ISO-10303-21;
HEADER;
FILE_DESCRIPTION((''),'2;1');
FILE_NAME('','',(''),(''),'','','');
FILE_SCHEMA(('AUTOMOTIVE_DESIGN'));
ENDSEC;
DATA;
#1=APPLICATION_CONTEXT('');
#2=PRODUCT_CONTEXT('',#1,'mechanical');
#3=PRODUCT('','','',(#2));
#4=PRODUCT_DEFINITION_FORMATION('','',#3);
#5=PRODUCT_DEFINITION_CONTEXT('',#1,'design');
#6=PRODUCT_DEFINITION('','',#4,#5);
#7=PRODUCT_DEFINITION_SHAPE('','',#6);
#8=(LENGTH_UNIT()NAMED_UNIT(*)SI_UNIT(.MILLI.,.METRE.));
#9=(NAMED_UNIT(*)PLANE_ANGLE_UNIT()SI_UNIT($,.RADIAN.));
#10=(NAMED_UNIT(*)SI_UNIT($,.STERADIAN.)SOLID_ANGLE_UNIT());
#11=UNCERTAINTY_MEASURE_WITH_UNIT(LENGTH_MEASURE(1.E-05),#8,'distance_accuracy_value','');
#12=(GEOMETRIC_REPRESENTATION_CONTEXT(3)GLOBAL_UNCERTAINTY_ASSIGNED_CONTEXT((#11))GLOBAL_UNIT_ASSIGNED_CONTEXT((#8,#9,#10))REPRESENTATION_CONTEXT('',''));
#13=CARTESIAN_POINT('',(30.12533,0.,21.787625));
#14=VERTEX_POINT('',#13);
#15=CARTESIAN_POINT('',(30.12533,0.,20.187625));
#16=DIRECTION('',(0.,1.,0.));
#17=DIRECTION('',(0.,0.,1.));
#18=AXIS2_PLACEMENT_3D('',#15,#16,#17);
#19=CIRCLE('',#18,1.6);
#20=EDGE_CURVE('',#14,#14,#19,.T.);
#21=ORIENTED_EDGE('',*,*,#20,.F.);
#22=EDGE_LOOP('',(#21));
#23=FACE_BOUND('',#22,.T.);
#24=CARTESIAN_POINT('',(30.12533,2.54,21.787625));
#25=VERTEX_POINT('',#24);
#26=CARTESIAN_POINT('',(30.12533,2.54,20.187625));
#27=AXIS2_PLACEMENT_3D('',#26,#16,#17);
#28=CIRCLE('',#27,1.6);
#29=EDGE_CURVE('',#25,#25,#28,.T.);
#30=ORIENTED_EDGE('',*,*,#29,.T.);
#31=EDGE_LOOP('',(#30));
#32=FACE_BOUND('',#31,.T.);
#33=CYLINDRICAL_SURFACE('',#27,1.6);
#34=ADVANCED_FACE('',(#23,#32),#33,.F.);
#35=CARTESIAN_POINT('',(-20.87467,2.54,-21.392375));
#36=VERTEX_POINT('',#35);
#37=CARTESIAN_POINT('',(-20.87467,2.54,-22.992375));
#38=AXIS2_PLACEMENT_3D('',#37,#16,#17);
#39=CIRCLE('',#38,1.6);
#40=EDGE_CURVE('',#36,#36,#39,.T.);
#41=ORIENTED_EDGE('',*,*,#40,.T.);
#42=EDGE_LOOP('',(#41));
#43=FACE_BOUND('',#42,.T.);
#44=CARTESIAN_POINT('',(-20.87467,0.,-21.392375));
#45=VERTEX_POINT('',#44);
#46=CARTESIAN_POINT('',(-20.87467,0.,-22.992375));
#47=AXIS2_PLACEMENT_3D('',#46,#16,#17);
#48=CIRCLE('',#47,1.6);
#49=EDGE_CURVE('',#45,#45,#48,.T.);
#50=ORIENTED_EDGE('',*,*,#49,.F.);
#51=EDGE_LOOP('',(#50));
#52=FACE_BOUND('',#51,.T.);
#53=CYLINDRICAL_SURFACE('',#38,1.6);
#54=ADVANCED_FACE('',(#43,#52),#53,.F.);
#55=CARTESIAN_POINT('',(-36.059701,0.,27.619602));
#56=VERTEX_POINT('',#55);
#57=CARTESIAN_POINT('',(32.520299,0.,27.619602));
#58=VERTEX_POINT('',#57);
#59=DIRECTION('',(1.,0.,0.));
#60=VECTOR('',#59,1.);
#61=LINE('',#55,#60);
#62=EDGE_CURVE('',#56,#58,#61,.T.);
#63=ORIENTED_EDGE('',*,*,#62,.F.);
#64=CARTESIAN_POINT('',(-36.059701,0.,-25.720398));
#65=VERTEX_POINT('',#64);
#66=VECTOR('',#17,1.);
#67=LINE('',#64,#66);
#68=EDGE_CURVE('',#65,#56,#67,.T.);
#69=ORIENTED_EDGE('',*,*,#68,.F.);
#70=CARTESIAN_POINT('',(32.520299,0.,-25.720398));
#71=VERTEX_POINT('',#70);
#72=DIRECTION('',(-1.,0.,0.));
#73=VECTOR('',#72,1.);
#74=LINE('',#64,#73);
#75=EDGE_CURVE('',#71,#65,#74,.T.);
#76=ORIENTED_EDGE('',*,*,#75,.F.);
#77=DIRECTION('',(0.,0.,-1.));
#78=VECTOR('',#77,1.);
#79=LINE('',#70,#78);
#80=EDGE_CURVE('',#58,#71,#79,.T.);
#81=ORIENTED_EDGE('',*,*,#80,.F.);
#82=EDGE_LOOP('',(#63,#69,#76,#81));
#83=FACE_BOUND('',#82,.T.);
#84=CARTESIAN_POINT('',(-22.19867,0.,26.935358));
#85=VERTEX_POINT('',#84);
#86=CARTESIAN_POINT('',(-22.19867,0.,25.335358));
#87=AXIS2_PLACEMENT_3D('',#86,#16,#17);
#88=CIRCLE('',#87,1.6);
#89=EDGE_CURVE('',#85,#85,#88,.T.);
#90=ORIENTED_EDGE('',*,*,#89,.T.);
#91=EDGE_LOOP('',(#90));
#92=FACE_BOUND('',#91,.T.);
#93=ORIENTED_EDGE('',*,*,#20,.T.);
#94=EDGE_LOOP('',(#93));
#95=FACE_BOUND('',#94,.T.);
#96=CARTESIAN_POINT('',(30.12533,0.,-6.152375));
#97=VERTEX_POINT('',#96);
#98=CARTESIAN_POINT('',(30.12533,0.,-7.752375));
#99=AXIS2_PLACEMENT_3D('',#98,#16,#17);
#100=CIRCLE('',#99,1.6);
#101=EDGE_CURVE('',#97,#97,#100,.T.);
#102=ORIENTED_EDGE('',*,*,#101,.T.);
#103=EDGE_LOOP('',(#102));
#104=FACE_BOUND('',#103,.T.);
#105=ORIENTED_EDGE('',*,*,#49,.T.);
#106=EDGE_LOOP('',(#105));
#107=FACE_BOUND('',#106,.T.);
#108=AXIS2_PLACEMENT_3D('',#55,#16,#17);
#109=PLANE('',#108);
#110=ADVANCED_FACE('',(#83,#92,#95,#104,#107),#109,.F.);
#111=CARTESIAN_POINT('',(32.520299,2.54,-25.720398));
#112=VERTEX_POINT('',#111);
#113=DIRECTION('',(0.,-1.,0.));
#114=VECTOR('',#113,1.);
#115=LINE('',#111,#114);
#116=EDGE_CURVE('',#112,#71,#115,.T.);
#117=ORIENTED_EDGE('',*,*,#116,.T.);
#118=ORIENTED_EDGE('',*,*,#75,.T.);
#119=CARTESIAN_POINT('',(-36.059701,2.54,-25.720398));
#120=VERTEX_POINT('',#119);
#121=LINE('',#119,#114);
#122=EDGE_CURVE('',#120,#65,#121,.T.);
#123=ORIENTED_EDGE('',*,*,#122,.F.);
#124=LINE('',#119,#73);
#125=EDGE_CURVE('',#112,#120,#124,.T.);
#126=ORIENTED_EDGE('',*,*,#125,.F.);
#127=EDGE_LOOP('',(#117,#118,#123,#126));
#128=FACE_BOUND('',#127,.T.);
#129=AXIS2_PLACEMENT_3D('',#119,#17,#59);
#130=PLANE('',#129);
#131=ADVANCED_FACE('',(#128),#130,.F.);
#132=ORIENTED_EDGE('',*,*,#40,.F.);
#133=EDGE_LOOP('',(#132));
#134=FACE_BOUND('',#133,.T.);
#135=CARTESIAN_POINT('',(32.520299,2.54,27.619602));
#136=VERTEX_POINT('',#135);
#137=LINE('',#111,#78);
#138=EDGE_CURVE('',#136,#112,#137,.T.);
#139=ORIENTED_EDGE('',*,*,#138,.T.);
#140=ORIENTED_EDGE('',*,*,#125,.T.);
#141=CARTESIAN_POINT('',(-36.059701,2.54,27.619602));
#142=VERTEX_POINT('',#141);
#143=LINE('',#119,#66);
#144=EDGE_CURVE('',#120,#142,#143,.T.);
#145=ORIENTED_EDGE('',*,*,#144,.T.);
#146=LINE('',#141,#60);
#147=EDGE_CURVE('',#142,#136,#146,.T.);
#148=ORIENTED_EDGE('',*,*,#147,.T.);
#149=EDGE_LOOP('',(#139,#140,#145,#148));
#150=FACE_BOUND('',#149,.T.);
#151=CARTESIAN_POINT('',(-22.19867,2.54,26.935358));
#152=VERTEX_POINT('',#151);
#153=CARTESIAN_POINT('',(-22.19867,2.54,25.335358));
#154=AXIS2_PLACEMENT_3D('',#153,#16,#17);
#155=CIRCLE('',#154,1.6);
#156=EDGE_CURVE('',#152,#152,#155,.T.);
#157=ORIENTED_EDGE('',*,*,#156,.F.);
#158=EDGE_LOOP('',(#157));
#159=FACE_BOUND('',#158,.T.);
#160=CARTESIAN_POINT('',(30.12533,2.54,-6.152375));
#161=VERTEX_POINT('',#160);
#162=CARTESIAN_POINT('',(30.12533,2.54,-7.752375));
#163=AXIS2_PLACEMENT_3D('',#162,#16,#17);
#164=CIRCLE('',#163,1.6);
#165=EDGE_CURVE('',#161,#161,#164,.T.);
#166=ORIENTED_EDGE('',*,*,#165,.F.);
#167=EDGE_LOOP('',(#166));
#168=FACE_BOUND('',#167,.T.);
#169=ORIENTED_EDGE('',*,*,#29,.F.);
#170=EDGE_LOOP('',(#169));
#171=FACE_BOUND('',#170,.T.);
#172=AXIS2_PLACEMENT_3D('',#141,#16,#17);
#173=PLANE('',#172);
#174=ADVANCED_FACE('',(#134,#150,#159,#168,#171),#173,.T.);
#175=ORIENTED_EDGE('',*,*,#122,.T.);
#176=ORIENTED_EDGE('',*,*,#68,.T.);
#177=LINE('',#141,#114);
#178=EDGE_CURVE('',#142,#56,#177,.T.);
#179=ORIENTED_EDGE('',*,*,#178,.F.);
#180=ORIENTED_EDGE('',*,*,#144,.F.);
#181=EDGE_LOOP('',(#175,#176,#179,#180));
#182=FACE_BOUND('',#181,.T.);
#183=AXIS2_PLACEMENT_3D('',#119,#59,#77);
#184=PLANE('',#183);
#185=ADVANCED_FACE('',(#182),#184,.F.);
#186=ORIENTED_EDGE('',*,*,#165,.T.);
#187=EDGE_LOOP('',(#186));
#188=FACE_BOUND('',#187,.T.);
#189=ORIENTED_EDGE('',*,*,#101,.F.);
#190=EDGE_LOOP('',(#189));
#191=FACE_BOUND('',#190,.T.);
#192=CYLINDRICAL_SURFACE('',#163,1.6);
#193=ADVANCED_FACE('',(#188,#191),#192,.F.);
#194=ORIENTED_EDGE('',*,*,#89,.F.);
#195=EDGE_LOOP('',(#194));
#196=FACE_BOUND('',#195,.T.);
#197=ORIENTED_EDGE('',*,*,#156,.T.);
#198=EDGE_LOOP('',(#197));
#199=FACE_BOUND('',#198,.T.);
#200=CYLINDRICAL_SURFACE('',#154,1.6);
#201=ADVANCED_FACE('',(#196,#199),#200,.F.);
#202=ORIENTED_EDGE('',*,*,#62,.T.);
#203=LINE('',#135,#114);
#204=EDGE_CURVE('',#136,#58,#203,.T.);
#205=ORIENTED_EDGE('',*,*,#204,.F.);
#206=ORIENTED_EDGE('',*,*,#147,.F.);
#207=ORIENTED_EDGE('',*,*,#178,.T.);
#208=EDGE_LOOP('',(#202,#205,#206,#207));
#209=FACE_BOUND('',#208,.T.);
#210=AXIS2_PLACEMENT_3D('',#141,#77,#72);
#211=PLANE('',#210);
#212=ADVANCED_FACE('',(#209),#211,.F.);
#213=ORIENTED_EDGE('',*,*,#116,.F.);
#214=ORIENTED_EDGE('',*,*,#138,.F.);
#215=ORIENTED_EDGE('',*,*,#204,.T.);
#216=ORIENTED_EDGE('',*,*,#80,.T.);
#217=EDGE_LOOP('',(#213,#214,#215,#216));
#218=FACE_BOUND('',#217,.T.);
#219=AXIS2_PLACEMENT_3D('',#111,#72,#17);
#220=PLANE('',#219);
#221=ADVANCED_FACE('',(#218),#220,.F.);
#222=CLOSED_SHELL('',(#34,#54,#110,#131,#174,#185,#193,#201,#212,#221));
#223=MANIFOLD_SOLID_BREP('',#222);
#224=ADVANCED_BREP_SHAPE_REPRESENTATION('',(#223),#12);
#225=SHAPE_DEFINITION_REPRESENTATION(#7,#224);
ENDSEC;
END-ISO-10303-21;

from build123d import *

# Parameters (mm, degrees)
SKETCH1_W                = 68.58
SKETCH1_H                = 53.34
BOSS_EXTRUDE1_DEPTH      = 2.54
M3_CLEARANCE_HOLE1_D     = 3.2
M3_CLEARANCE_HOLE1_DEPTH = 5.08
M3_CLEARANCE_HOLE1_TIP   = 0.96137699


with BuildPart() as part:
    # Sketch1 → Boss-Extrude1 (new body)
    with BuildSketch(Plane(origin=(0, 0, 0), x_dir=(1, 0, 0), z_dir=(0, 1, 0))):
        with Locations((-1.769700695, -0.9496024)):
            Rectangle(SKETCH1_W, SKETCH1_H)
    extrude(amount=BOSS_EXTRUDE1_DEPTH)

    # M3 Clearance Hole1
    with Locations(Plane(origin=(0, 2.54, 0), x_dir=(-1, 0, 0), z_dir=(0, 1, 0))):
        with Locations((-30.125330134, -7.752375477), (-30.125330134, 20.187624523), (22.198669866, 25.335357903), (20.874669866, -22.992375477)):
            Hole(M3_CLEARANCE_HOLE1_D / 2, depth=M3_CLEARANCE_HOLE1_DEPTH)
            with Locations((0, 0, -(M3_CLEARANCE_HOLE1_DEPTH + M3_CLEARANCE_HOLE1_TIP / 2))):  # 118° drill point
                Cone(0, M3_CLEARANCE_HOLE1_D / 2, M3_CLEARANCE_HOLE1_TIP, mode=Mode.SUBTRACT)


solid = part.part
